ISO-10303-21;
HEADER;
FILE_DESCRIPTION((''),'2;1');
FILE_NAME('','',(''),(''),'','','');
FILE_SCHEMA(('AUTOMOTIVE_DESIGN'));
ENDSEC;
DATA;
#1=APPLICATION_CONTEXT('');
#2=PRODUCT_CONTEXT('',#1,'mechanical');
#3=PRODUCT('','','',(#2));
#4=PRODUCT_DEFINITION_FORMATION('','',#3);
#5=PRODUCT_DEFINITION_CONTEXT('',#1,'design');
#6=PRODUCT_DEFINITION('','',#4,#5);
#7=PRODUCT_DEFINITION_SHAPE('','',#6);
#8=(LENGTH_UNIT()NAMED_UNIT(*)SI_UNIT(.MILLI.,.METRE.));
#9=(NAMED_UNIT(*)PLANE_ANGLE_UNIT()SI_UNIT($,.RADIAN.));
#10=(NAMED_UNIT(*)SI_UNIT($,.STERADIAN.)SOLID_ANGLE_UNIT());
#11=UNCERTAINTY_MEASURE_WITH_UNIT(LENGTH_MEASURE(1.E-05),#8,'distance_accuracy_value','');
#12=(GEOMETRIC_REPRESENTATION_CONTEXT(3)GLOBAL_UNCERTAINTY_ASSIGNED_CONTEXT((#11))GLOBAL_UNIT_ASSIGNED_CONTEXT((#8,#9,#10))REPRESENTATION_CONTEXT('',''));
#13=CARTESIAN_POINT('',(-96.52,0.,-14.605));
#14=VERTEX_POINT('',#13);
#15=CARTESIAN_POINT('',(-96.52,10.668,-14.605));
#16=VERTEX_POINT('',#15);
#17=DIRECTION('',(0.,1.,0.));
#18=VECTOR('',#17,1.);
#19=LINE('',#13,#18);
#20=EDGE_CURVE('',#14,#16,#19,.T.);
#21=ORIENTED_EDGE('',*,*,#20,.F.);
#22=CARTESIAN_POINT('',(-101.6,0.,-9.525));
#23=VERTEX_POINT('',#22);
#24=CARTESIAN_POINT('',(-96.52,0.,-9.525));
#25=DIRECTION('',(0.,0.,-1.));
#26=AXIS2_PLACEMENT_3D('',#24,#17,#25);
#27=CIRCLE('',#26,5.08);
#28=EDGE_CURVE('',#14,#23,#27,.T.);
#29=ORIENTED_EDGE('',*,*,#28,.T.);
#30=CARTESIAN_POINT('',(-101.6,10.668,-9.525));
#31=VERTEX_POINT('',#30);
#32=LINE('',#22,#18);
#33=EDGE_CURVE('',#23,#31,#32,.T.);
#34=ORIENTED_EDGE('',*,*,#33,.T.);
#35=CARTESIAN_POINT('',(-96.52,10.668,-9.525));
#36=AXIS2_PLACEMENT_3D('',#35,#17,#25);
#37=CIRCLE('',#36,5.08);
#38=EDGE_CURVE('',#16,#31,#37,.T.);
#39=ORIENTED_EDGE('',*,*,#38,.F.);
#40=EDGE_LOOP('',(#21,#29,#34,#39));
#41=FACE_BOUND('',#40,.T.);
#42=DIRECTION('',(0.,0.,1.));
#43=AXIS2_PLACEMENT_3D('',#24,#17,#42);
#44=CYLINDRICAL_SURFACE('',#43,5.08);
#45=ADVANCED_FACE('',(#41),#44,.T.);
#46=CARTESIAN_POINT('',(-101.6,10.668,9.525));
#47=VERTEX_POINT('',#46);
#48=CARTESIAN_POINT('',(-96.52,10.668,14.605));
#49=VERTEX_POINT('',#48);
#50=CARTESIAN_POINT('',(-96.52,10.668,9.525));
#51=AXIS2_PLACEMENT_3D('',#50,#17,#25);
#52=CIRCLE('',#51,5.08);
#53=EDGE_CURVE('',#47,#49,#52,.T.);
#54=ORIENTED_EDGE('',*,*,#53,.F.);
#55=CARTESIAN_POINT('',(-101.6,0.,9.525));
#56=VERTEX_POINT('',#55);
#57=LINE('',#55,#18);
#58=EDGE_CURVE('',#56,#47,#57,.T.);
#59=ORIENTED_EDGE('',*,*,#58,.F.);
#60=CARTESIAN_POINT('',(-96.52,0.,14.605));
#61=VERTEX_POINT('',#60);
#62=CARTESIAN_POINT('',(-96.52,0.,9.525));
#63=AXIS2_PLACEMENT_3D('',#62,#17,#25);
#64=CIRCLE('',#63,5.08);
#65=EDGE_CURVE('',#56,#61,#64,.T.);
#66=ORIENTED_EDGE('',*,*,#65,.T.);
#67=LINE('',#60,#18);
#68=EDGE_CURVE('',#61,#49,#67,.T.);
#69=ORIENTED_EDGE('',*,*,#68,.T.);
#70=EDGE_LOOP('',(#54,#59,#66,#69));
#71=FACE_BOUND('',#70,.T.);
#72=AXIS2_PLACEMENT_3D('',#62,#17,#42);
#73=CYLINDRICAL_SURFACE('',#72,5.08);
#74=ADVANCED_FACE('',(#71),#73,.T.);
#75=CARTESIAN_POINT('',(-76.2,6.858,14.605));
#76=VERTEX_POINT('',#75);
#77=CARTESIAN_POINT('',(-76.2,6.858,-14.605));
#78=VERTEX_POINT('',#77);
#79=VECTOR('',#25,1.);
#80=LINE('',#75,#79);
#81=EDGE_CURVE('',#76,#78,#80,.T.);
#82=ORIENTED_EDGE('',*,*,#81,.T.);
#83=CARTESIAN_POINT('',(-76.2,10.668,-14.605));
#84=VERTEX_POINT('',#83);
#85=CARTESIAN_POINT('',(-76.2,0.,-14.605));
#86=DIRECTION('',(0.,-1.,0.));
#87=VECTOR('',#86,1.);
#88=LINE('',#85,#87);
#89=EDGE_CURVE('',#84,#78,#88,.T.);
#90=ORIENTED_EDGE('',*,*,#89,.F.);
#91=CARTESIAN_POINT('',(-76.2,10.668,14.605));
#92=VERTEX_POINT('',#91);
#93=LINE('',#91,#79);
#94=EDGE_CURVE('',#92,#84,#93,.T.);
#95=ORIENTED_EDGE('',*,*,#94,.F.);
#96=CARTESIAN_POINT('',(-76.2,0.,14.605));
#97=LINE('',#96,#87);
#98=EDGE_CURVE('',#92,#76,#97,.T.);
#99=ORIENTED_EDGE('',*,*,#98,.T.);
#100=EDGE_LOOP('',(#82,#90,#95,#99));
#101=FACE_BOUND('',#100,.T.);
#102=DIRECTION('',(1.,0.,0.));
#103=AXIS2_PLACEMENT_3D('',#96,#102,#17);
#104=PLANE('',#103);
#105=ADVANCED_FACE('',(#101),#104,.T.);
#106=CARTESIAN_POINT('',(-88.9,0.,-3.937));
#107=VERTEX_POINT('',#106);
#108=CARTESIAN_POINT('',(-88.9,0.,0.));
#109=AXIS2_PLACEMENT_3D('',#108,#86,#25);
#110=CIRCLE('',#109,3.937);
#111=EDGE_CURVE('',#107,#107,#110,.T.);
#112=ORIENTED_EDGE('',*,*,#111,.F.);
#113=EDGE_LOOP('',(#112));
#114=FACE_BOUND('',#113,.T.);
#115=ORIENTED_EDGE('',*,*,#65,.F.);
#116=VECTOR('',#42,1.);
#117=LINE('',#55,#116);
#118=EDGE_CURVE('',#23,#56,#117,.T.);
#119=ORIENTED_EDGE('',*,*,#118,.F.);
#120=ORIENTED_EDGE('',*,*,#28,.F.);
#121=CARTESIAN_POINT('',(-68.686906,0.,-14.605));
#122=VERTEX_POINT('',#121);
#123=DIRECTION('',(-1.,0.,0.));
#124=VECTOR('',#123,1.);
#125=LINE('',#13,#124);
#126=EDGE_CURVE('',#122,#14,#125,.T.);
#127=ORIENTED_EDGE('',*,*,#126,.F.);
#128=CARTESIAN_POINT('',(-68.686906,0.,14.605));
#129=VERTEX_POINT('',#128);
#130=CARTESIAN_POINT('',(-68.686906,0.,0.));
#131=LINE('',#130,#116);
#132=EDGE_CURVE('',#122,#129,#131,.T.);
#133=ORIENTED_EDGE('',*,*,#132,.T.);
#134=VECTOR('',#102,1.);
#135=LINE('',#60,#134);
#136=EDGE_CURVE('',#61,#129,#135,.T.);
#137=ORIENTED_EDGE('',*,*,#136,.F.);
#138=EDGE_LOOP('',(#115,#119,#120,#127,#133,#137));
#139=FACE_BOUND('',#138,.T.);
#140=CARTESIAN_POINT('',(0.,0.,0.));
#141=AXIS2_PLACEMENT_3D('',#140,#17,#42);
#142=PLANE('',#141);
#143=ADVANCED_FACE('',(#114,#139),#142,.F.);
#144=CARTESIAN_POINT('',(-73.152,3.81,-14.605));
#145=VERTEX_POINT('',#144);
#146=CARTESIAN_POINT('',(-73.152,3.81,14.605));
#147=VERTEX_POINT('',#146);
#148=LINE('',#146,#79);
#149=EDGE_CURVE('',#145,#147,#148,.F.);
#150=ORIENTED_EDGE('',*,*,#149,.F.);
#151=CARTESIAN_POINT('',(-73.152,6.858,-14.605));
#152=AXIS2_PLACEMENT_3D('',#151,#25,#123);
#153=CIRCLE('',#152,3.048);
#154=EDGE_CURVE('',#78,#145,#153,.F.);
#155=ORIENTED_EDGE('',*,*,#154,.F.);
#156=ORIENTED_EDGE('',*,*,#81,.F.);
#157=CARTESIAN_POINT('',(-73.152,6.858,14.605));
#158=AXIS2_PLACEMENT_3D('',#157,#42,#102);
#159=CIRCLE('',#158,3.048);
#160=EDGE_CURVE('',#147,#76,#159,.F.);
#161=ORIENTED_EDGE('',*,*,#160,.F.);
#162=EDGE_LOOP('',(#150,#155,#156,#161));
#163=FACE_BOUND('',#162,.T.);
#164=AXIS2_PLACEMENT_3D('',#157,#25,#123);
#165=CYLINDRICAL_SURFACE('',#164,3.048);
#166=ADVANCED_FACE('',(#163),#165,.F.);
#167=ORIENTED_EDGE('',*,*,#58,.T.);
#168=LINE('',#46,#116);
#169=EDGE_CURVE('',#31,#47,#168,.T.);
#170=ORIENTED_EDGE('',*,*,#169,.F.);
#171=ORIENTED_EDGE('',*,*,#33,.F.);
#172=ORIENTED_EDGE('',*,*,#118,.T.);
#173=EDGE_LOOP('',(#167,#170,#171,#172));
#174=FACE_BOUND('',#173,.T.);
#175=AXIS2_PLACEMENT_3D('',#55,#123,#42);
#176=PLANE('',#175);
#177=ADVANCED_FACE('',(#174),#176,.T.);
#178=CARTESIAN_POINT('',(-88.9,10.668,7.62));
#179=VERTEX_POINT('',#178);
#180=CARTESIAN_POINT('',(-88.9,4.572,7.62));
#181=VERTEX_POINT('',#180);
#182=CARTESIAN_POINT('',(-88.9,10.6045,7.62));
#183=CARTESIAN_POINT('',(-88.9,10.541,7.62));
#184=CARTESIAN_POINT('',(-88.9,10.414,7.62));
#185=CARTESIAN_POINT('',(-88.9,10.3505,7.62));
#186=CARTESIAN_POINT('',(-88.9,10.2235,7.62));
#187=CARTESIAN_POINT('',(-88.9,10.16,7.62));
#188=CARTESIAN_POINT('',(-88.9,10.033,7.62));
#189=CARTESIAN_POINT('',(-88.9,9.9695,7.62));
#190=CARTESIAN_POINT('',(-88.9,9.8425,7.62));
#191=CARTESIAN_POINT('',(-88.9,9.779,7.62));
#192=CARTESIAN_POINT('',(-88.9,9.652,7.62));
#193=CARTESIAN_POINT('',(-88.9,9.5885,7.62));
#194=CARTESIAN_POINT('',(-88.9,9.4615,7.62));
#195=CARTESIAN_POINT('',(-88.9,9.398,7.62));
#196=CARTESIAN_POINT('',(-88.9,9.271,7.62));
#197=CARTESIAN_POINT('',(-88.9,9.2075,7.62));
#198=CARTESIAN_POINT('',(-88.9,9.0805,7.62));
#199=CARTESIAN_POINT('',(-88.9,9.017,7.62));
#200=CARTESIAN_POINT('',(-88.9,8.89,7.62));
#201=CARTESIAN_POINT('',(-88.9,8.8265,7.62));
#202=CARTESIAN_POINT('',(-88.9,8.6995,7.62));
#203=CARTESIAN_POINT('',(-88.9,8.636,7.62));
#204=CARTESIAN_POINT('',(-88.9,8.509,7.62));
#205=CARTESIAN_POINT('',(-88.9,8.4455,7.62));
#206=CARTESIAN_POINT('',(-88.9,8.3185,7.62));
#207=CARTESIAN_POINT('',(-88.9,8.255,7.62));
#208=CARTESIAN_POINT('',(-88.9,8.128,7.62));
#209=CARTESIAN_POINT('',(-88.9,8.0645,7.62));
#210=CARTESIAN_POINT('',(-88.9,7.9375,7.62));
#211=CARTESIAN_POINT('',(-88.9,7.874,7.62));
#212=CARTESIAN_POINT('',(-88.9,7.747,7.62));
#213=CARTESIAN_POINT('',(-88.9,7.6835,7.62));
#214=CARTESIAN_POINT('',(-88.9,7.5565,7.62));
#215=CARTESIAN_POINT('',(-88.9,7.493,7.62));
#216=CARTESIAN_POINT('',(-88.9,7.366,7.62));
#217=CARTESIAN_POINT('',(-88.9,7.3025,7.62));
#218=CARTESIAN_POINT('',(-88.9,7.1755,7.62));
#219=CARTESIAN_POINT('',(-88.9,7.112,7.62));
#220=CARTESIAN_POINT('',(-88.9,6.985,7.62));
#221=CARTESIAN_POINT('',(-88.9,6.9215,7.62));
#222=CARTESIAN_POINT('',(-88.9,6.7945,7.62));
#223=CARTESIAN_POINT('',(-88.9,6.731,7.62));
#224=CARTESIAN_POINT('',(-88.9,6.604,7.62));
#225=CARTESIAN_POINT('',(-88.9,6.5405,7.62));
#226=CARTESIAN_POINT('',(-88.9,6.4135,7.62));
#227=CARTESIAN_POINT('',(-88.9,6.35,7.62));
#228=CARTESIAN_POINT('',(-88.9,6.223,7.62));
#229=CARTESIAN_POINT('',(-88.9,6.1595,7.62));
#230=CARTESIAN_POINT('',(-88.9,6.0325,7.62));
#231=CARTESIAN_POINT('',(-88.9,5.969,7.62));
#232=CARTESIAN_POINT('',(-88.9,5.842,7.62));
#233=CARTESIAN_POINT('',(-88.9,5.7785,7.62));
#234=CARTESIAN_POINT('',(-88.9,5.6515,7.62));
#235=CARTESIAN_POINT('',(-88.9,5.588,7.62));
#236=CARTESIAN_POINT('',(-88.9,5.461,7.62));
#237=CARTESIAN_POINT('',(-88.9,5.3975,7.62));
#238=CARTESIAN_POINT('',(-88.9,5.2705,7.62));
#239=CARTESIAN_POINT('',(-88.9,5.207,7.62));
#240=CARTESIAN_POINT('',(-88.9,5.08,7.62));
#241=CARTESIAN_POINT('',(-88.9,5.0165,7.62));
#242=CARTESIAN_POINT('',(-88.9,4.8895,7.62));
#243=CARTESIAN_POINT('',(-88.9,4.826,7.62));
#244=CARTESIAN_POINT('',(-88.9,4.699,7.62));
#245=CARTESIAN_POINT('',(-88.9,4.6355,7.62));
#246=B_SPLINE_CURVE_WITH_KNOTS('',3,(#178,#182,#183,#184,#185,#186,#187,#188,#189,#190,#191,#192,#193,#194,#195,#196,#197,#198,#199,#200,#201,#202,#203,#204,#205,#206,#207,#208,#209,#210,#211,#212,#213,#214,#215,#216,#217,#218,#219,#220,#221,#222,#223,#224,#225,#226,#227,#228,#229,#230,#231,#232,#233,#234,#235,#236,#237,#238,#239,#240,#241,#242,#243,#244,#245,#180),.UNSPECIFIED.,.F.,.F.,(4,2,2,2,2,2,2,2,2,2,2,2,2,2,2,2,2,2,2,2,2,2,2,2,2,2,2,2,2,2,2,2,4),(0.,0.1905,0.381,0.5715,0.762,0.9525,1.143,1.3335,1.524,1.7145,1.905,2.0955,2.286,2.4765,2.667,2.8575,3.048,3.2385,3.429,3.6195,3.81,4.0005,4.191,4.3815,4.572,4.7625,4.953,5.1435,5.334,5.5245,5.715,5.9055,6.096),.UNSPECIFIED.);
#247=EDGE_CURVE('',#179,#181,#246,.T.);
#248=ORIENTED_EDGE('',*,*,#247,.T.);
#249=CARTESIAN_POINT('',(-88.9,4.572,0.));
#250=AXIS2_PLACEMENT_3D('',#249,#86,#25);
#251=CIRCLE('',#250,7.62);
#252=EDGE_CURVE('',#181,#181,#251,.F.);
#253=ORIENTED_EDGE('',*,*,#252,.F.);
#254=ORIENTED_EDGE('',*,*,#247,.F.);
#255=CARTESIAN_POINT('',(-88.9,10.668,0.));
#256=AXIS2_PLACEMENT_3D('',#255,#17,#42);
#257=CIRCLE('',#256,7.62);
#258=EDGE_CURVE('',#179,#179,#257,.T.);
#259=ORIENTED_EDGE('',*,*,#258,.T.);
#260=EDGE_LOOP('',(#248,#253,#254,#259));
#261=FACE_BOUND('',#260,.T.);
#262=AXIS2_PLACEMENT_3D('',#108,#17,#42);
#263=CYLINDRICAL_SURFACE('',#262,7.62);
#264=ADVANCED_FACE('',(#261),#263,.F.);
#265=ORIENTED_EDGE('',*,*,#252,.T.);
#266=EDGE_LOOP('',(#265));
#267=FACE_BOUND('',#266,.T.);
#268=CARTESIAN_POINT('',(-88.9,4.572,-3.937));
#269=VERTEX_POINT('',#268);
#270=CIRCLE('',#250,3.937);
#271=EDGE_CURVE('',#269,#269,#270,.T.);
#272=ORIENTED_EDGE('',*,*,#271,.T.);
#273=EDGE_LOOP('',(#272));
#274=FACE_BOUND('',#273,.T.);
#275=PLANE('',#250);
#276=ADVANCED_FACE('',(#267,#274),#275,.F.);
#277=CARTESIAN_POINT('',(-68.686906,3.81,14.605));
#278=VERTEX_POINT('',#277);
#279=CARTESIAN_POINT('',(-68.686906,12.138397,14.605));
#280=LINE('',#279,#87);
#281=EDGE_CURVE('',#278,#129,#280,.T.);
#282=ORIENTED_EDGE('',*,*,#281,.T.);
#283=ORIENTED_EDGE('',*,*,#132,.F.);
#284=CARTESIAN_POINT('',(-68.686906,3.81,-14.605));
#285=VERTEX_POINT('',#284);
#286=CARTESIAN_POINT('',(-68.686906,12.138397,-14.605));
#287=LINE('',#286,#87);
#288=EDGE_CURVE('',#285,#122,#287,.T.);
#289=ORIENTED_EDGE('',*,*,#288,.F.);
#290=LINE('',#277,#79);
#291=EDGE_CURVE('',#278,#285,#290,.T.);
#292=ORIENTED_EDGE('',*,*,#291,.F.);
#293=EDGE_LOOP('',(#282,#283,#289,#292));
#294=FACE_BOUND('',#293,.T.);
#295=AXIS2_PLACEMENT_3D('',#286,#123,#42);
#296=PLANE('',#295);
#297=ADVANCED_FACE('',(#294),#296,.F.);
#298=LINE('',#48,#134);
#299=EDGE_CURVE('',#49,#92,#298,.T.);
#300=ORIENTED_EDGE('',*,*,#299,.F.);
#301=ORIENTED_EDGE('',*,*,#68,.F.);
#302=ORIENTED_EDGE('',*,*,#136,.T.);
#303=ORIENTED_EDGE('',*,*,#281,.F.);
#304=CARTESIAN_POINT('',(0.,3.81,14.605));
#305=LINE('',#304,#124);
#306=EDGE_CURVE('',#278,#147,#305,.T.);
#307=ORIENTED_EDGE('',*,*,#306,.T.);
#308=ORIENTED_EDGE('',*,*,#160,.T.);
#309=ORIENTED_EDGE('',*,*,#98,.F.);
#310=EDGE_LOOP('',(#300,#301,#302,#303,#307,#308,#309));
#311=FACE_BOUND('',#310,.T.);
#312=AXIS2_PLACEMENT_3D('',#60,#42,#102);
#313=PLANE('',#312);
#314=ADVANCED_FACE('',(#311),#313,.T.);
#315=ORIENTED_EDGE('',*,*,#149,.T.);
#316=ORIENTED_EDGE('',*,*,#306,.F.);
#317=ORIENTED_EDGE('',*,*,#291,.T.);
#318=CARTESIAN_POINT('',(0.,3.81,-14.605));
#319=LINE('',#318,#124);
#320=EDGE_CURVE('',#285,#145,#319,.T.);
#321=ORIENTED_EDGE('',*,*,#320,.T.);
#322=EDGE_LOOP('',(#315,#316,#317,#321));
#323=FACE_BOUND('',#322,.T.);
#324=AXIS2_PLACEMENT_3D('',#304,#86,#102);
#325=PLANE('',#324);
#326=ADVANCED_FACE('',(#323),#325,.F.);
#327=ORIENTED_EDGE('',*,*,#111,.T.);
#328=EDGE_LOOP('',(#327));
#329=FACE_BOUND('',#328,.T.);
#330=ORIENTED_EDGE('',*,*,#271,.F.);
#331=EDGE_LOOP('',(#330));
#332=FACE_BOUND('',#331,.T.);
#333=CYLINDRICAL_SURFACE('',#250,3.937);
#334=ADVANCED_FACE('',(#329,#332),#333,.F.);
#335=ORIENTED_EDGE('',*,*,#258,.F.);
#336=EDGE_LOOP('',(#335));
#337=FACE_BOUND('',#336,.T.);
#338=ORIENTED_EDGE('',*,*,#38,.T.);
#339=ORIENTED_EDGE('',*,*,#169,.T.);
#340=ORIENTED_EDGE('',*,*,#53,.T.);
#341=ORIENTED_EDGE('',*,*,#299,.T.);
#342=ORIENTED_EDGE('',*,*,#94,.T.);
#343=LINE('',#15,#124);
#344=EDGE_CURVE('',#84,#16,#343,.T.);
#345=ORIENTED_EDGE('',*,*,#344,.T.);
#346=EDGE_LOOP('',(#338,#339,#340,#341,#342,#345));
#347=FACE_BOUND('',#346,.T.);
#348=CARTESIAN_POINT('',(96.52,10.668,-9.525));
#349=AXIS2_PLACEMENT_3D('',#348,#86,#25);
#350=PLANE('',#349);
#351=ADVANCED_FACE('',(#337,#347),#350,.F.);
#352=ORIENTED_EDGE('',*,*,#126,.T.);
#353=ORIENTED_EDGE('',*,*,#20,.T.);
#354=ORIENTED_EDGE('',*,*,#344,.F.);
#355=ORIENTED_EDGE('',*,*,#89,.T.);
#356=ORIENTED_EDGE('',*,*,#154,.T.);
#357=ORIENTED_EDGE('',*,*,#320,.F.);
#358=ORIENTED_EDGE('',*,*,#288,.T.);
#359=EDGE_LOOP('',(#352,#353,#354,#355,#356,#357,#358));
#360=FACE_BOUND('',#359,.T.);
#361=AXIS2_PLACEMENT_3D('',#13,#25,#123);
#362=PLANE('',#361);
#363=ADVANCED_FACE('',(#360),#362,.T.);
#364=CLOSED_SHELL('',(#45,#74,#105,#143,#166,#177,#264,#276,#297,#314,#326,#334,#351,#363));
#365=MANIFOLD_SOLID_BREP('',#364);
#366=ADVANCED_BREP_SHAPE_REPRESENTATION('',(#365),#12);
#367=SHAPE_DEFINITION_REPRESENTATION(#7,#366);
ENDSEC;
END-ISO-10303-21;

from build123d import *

# Parameters (mm, degrees)
SKETCH1_R                = 13.97
SKETCH1_R_2              = 1.275
BOSS_EXTRUDE1_DEPTH      = 3.048
BOSS_EXTRUDE2_DEPTH      = 7.62
BOSS_EXTRUDE2_DEPTH_BACK = 3.048
SKETCH2_R                = 7.62
SKETCH2_R_2              = 1.275
CUT_EXTRUDE2_DEPTH       = 107.252483849
SKETCH6_R                = 8.89
SKETCH6_R_2              = 3.937
BOSS_EXTRUDE3_DEPTH      = 4.572
FILLET2_R                = 3.048
SKETCH8_W                = 176.271388165
SKETCH8_H                = 26.360341331
CUT_EXTRUDE3_DEPTH       = 107.252483849


with BuildPart() as part:
    # Sketch1 → Boss-Extrude1 (new body)
    with BuildSketch(Plane(origin=(0, 0, 0), x_dir=(1, 0, 0), z_dir=(0, 1, 0))):
        with Locations(Location((0, 0, 0), (0, 0, 90))):
            Circle(SKETCH1_R)
        with Locations(Location((0, 9.5, 0), (0, 0, 90))):
            Circle(SKETCH1_R_2, mode=Mode.SUBTRACT)
        with Locations(Location((9.5, 0, 0), (0, 0, 90))):
            Circle(SKETCH1_R_2, mode=Mode.SUBTRACT)
        with Locations(Location((0, -9.5, 0), (0, 0, 90))):
            Circle(SKETCH1_R_2, mode=Mode.SUBTRACT)
        with Locations(Location((-9.5, 0, 0), (0, 0, 90))):
            Circle(SKETCH1_R_2, mode=Mode.SUBTRACT)
    extrude(amount=BOSS_EXTRUDE1_DEPTH)

    # Sketch2 → Boss-Extrude2 (add, two sides: drawn at the far end of the back side and taken through both)
    with BuildSketch(Plane(origin=(0, 3.048, 0), x_dir=(1, 0, 0), z_dir=(0, 1, 0)).offset(-BOSS_EXTRUDE2_DEPTH_BACK)):
        with BuildLine():
            Line((-96.52, -14.605), (96.52, -14.605))
            ThreePointArc((96.52, -14.605), (100.112102448, -13.117102448), (101.6, -9.525))
            Line((101.6, -9.525), (101.6, 9.525))
            ThreePointArc((101.6, 9.525), (100.112102448, 13.117102448), (96.52, 14.605))
            Line((96.52, 14.605), (-96.52, 14.605))
            ThreePointArc((-96.52, 14.605), (-100.112102448, 13.117102448), (-101.6, 9.525))
            Line((-101.6, 9.525), (-101.6, -9.525))
            ThreePointArc((-101.6, -9.525), (-100.112102448, -13.117102448), (-96.52, -14.605))
        make_face()
        with Locations(Location((-88.9, 0, 0), (0, 0, 270))):
            Circle(SKETCH2_R, mode=Mode.SUBTRACT)
        with Locations(Location((88.9, 0, 0), (0, 0, 270))):
            Circle(SKETCH2_R, mode=Mode.SUBTRACT)
        with Locations(Location((9.5, 0, 0), (0, 0, 90))):
            Circle(SKETCH2_R_2, mode=Mode.SUBTRACT)
        with Locations(Location((0, 9.5, 0), (0, 0, 90))):
            Circle(SKETCH2_R_2, mode=Mode.SUBTRACT)
        with Locations(Location((-9.5, 0, 0), (0, 0, 90))):
            Circle(SKETCH2_R_2, mode=Mode.SUBTRACT)
        with Locations(Location((0, -9.5, 0), (0, 0, 90))):
            Circle(SKETCH2_R_2, mode=Mode.SUBTRACT)
    extrude(amount=BOSS_EXTRUDE2_DEPTH + BOSS_EXTRUDE2_DEPTH_BACK)

    # Sketch5 → Cut-Extrude2 (cut, through all)
    with BuildSketch(Plane(origin=(0, 0, -14.605), x_dir=(-1, 0, 0), z_dir=(0, 0, -1))):
        Polygon((-76.2, 3.81), (0, 3.81), (76.2, 3.81), (76.2, 10.668), (-76.2, 10.668), align=None)
    extrude(amount=-CUT_EXTRUDE2_DEPTH, mode=Mode.SUBTRACT)

    # Sketch6 → Boss-Extrude3 (add)
    # profile 1 of 2: a face of its own
    with BuildSketch(Plane.XZ):
        with Locations((-88.9, 0)):
            Circle(SKETCH6_R)
        with Locations(Location((-88.9, 0, 0), (0, 0, 270))):
            Circle(SKETCH6_R_2, mode=Mode.SUBTRACT)
    # profile 2 of 2: a face of its own
    with BuildSketch(Plane.XZ):
        with Locations((88.9, 0)):
            Circle(SKETCH6_R)
        with Locations(Location((88.9, 0, 0), (0, 0, 270))):
            Circle(SKETCH6_R_2, mode=Mode.SUBTRACT)
    extrude(amount=-BOSS_EXTRUDE3_DEPTH)

    # Fillet2
    fillet2_edges = [part.edges().sort_by_distance(p)[0] for p in [
        (-76.2, 3.81, 0),
        (76.2, 3.81, 0),
    ]]
    fillet(fillet2_edges, radius=FILLET2_R)

    # Sketch8 → Cut-Extrude3 (cut, through all)
    with BuildSketch(Plane.XY.offset(14.605)):
        with Locations((19.448788421, -1.041773615)):
            Rectangle(SKETCH8_W, SKETCH8_H)
    extrude(amount=-CUT_EXTRUDE3_DEPTH, mode=Mode.SUBTRACT)


solid = part.part
